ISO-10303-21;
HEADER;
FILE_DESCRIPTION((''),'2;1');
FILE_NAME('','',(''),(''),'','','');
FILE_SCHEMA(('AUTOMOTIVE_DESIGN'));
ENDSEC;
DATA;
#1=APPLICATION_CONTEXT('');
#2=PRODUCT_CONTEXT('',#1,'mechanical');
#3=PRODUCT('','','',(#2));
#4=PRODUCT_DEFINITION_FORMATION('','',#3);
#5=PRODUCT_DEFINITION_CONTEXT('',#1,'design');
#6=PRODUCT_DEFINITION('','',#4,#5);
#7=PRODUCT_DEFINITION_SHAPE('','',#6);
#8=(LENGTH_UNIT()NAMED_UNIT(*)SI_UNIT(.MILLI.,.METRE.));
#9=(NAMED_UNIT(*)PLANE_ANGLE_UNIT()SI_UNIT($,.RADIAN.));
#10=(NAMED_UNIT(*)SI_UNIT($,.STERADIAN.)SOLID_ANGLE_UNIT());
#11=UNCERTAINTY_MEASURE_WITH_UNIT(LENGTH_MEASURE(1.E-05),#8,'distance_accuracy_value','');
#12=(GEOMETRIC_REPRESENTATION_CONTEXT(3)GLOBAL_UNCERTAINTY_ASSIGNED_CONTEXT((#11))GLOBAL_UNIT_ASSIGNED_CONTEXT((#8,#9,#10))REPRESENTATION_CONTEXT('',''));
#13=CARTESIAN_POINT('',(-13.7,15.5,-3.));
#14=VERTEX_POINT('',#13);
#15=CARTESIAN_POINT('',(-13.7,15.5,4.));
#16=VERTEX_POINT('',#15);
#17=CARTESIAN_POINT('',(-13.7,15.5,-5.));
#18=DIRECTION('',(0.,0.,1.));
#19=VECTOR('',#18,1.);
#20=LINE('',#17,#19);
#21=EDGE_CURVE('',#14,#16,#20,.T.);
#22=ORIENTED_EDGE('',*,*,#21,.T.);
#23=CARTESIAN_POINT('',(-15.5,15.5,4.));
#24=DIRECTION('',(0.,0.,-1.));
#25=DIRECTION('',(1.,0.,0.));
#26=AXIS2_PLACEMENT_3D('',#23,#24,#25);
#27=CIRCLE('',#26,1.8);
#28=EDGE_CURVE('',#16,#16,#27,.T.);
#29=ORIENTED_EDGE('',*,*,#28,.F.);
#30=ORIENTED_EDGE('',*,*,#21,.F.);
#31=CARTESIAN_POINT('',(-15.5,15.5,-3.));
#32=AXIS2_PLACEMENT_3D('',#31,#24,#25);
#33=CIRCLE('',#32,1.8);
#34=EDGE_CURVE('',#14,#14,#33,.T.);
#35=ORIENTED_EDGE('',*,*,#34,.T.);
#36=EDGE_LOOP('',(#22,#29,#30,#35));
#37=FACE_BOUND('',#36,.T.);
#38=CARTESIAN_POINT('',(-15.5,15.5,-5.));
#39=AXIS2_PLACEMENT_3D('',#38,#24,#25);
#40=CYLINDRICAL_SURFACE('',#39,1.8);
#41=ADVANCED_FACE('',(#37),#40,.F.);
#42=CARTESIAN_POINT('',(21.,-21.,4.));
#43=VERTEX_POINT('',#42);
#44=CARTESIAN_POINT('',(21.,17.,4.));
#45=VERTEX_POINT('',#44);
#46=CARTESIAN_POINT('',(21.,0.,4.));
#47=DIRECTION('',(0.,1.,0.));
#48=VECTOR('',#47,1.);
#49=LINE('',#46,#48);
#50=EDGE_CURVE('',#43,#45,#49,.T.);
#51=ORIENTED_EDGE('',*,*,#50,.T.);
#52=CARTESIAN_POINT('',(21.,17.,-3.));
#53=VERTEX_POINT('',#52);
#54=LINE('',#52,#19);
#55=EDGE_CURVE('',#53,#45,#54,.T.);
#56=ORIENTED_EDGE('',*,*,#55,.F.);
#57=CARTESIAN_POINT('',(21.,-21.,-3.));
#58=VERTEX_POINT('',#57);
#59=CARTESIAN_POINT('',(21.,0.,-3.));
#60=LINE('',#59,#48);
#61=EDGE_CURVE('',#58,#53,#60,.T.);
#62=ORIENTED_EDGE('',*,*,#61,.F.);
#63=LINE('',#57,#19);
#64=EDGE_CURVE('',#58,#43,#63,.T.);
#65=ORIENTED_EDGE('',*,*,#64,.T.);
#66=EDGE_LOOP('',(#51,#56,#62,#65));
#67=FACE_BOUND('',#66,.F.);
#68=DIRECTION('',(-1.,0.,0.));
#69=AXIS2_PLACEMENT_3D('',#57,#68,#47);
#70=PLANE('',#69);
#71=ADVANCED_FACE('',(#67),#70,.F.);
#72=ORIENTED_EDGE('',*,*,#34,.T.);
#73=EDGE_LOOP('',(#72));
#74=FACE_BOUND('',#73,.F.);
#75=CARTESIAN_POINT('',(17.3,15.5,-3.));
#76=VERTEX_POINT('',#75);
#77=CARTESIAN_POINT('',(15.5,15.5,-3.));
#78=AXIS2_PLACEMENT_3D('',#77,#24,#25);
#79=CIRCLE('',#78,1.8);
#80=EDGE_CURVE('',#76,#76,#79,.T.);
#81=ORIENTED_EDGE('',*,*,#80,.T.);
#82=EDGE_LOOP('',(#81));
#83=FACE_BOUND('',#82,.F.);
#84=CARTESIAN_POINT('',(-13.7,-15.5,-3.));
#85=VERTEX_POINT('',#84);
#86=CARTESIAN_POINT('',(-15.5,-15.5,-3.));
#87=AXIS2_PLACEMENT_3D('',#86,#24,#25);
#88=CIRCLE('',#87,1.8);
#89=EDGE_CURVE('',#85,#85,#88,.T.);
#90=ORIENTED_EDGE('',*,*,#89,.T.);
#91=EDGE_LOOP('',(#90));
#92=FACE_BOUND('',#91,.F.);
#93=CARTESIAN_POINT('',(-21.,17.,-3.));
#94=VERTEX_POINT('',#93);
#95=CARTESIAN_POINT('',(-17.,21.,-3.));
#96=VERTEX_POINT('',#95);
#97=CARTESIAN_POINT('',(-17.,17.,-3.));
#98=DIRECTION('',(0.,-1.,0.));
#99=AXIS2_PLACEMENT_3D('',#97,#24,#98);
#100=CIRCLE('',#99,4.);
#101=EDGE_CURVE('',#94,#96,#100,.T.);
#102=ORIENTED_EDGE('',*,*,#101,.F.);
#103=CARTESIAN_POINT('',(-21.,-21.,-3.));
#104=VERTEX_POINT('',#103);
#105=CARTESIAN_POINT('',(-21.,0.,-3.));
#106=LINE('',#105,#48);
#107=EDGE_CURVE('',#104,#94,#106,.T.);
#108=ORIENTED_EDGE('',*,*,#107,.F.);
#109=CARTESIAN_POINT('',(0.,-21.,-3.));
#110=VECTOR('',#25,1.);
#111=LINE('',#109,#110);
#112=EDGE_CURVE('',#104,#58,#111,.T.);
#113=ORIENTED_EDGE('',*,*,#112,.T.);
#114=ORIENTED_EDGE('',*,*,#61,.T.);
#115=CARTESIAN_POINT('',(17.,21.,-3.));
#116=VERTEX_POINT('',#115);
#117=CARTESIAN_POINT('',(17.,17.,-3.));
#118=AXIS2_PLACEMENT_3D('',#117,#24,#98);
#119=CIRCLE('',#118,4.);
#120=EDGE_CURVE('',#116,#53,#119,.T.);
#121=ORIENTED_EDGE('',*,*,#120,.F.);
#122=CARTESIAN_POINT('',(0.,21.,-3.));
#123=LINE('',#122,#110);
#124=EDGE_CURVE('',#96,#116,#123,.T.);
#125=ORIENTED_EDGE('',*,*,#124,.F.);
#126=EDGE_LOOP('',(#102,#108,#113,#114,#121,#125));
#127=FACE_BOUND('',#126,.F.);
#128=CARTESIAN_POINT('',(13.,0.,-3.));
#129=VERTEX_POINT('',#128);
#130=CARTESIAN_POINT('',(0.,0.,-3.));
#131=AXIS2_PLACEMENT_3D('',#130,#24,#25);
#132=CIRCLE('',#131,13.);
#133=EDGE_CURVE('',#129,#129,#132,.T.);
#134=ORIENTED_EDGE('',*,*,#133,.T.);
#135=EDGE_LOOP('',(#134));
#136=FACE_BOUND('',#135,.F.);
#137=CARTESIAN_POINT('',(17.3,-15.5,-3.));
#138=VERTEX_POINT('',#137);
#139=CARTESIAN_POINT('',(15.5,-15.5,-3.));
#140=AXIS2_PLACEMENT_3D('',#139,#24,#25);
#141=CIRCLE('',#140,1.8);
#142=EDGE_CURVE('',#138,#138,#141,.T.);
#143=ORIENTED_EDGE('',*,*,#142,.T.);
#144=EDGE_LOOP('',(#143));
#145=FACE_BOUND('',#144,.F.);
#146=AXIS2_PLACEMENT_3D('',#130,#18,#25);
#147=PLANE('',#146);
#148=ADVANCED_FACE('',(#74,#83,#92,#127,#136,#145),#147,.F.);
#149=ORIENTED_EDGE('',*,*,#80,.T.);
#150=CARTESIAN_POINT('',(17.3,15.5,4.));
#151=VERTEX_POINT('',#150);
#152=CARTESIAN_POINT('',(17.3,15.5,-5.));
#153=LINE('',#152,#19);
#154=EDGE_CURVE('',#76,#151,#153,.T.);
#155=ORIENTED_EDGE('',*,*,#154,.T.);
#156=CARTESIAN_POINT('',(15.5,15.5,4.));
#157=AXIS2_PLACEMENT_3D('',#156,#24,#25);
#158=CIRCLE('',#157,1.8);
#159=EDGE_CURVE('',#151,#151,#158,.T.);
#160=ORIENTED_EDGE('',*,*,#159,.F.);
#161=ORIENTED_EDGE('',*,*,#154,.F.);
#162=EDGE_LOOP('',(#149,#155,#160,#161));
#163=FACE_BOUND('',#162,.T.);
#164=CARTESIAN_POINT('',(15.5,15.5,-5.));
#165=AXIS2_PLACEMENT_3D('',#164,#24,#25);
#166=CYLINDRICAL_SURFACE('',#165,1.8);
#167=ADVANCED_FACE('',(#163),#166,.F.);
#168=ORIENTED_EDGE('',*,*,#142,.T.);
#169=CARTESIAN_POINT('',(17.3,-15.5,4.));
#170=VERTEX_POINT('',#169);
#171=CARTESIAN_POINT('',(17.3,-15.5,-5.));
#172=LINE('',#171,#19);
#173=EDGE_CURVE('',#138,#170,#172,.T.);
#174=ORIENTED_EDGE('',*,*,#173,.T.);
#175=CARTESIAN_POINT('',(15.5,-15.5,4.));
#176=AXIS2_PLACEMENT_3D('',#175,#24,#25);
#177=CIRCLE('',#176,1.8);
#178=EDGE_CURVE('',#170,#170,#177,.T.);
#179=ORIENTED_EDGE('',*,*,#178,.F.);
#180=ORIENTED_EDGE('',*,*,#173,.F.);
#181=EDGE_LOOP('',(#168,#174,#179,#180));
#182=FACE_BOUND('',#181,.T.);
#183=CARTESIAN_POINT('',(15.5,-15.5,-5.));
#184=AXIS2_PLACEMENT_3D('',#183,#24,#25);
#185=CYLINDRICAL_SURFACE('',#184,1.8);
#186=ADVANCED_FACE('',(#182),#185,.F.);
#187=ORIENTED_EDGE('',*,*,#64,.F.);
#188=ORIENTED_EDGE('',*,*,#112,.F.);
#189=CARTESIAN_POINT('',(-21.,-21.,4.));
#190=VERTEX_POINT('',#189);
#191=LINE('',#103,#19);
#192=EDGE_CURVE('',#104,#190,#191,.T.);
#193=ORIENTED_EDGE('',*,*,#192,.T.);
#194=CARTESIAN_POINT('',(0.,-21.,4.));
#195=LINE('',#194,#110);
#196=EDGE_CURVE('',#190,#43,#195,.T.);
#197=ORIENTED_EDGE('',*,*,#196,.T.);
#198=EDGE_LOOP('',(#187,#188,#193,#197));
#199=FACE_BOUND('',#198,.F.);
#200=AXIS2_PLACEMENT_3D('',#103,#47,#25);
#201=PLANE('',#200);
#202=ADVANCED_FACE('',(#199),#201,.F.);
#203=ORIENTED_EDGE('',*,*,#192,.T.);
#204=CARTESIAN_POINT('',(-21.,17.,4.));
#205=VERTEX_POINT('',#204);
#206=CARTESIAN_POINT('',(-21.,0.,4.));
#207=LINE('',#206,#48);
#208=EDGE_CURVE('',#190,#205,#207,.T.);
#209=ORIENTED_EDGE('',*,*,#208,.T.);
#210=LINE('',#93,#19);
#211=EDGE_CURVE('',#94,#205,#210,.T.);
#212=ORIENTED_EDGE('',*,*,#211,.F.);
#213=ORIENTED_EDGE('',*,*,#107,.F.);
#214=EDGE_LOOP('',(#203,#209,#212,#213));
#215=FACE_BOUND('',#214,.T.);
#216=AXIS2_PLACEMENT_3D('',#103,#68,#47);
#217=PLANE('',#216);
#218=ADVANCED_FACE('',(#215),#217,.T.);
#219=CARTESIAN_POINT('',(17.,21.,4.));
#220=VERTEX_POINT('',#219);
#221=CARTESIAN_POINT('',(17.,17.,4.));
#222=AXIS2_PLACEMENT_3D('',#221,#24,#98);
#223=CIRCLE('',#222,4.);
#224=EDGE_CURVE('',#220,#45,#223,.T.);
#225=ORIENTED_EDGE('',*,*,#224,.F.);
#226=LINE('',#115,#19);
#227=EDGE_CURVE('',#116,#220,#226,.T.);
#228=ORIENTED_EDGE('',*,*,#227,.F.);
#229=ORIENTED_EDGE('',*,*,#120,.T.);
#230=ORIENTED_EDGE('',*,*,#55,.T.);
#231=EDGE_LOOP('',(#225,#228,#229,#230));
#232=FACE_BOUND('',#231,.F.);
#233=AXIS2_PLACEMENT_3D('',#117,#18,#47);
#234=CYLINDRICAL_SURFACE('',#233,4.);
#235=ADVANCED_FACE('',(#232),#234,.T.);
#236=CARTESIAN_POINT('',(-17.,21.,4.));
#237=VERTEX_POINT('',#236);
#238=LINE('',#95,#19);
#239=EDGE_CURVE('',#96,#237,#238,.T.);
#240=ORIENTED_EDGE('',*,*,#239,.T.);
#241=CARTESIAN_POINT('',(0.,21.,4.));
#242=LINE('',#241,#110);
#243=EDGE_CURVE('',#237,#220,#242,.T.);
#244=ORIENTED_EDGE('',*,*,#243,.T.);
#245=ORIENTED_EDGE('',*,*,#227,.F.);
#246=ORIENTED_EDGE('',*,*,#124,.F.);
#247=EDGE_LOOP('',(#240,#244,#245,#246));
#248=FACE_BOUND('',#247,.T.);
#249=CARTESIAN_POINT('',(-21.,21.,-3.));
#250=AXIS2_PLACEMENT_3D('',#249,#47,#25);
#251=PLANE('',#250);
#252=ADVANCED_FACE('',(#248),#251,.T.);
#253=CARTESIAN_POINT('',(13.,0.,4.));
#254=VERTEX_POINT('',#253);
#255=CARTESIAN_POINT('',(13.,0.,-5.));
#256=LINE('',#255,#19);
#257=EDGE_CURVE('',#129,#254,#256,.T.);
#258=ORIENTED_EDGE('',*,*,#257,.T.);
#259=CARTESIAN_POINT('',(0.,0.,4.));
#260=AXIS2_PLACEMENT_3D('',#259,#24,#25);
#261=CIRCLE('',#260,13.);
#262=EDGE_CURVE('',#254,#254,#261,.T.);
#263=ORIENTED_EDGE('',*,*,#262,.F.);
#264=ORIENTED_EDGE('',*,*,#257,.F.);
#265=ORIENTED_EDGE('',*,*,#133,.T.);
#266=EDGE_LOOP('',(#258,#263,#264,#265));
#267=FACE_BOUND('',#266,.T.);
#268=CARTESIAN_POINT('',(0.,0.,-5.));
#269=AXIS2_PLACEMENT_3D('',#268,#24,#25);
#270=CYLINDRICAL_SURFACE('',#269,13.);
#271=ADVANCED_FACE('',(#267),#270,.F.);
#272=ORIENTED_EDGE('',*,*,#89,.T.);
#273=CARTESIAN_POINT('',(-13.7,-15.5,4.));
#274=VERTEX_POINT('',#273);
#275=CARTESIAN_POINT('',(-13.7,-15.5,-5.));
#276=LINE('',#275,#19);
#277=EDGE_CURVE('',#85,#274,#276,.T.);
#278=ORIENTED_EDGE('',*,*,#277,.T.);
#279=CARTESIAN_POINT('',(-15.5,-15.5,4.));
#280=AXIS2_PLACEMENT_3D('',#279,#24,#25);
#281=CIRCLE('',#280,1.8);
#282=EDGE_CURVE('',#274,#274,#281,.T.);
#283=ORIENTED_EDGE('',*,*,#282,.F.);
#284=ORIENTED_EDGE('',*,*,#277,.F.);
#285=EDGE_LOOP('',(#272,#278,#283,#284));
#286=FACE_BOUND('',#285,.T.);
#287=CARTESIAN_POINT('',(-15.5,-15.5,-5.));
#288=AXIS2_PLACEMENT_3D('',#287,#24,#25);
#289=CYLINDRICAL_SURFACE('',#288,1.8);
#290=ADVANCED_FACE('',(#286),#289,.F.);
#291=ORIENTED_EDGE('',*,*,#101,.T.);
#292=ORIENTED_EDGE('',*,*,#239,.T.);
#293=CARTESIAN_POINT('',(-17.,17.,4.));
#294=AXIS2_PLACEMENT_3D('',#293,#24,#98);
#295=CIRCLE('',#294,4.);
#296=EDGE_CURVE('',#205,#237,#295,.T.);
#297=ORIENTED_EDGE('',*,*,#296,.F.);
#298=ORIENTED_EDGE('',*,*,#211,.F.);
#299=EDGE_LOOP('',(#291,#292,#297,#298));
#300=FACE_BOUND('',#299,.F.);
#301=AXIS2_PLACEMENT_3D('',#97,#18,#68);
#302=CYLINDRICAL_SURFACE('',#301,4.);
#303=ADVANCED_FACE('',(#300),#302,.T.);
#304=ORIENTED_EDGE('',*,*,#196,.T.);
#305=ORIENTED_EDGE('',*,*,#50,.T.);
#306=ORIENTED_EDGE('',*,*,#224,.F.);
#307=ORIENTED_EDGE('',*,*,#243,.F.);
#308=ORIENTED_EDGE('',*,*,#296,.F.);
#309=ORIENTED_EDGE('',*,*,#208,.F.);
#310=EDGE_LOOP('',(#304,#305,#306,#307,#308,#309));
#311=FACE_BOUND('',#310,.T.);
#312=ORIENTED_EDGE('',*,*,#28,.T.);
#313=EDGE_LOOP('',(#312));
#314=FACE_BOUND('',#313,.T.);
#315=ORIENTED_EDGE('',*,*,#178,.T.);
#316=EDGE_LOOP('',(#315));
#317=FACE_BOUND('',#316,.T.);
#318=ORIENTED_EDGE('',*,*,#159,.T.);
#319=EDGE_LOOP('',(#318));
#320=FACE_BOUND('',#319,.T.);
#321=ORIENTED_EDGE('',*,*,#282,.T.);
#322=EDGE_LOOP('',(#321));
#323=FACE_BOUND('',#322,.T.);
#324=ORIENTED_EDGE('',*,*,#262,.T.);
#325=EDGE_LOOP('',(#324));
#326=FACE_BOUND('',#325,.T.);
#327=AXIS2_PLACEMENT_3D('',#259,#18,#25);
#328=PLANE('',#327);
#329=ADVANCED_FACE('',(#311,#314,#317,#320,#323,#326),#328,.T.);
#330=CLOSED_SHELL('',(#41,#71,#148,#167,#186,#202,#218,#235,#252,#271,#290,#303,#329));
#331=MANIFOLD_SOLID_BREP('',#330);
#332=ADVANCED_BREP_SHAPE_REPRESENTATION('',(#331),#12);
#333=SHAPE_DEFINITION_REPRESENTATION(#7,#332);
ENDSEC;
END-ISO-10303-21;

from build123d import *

# Parameters (mm, degrees)
CYLINDER001_R     = 1.8
CYLINDER001_DEPTH = 20
ARRAY_X_COUNT     = 2
ARRAY_X_PITCH     = 31
ARRAY_Y_COUNT     = 2
ARRAY_Y_PITCH     = 31
CYLINDER_R        = 13
CYLINDER_DEPTH    = 20
BOX_W             = 42
BOX_H             = 42
BOX_DEPTH         = 7
FILLET001_R       = 4


with BuildPart() as motor_attachment_hole_array:
    # Cylinder001 → Cylinder001 (new body)
    with BuildSketch(Plane(origin=(-15.5, -15.5, 0), x_dir=(1, 0, 0), z_dir=(0, 0, 1))):
        Circle(CYLINDER001_R)
    extrude(amount=CYLINDER001_DEPTH)

    # Array X: motor attachment hole array ×2


with BuildPart() as motor_attachment_hole_array_1:
    add(motor_attachment_hole_array.part)
    with Locations(*[(i * ARRAY_X_PITCH, 0, 0) for i in range(1, ARRAY_X_COUNT)]):
        add(motor_attachment_hole_array.part)

    # Array Y: motor attachment hole array ×2


with BuildPart() as motor_attachment_hole_array_2:
    add(motor_attachment_hole_array_1.part)
    with Locations(*[(0, i * ARRAY_Y_PITCH, 0) for i in range(1, ARRAY_Y_COUNT)]):
        add(motor_attachment_hole_array_1.part)


with BuildPart() as fusion001:
    # Cylinder → Cylinder (new body)
    with BuildSketch(Plane.XY):
        Circle(CYLINDER_R)
    extrude(amount=CYLINDER_DEPTH)

    # Fusion001: union motor attachment hole array
    add(motor_attachment_hole_array_2.part)


with BuildPart() as fusion001_1:
    # Fusion001 placement: moved
    add(fusion001.part.moved(Location((0, 0, -5))))


with BuildPart() as motor_side_fillet:
    # Box → Box (new body)
    with BuildSketch(Plane(origin=(-21, -21, -3), x_dir=(1, 0, 0), z_dir=(0, 0, 1))):
        with Locations((21, 21)):
            Rectangle(BOX_W, BOX_H)
    extrude(amount=BOX_DEPTH)

    # Cut002: cut Fusion001
    add(fusion001_1.part, mode=Mode.SUBTRACT)

    # Fillet001
    fillet001_edges = [motor_side_fillet.edges().sort_by_distance(p)[0] for p in [
        (-21, 21, 0.5),
        (21, 21, 0.5),
    ]]
    fillet(fillet001_edges, radius=FILLET001_R)


solid = motor_side_fillet.part
